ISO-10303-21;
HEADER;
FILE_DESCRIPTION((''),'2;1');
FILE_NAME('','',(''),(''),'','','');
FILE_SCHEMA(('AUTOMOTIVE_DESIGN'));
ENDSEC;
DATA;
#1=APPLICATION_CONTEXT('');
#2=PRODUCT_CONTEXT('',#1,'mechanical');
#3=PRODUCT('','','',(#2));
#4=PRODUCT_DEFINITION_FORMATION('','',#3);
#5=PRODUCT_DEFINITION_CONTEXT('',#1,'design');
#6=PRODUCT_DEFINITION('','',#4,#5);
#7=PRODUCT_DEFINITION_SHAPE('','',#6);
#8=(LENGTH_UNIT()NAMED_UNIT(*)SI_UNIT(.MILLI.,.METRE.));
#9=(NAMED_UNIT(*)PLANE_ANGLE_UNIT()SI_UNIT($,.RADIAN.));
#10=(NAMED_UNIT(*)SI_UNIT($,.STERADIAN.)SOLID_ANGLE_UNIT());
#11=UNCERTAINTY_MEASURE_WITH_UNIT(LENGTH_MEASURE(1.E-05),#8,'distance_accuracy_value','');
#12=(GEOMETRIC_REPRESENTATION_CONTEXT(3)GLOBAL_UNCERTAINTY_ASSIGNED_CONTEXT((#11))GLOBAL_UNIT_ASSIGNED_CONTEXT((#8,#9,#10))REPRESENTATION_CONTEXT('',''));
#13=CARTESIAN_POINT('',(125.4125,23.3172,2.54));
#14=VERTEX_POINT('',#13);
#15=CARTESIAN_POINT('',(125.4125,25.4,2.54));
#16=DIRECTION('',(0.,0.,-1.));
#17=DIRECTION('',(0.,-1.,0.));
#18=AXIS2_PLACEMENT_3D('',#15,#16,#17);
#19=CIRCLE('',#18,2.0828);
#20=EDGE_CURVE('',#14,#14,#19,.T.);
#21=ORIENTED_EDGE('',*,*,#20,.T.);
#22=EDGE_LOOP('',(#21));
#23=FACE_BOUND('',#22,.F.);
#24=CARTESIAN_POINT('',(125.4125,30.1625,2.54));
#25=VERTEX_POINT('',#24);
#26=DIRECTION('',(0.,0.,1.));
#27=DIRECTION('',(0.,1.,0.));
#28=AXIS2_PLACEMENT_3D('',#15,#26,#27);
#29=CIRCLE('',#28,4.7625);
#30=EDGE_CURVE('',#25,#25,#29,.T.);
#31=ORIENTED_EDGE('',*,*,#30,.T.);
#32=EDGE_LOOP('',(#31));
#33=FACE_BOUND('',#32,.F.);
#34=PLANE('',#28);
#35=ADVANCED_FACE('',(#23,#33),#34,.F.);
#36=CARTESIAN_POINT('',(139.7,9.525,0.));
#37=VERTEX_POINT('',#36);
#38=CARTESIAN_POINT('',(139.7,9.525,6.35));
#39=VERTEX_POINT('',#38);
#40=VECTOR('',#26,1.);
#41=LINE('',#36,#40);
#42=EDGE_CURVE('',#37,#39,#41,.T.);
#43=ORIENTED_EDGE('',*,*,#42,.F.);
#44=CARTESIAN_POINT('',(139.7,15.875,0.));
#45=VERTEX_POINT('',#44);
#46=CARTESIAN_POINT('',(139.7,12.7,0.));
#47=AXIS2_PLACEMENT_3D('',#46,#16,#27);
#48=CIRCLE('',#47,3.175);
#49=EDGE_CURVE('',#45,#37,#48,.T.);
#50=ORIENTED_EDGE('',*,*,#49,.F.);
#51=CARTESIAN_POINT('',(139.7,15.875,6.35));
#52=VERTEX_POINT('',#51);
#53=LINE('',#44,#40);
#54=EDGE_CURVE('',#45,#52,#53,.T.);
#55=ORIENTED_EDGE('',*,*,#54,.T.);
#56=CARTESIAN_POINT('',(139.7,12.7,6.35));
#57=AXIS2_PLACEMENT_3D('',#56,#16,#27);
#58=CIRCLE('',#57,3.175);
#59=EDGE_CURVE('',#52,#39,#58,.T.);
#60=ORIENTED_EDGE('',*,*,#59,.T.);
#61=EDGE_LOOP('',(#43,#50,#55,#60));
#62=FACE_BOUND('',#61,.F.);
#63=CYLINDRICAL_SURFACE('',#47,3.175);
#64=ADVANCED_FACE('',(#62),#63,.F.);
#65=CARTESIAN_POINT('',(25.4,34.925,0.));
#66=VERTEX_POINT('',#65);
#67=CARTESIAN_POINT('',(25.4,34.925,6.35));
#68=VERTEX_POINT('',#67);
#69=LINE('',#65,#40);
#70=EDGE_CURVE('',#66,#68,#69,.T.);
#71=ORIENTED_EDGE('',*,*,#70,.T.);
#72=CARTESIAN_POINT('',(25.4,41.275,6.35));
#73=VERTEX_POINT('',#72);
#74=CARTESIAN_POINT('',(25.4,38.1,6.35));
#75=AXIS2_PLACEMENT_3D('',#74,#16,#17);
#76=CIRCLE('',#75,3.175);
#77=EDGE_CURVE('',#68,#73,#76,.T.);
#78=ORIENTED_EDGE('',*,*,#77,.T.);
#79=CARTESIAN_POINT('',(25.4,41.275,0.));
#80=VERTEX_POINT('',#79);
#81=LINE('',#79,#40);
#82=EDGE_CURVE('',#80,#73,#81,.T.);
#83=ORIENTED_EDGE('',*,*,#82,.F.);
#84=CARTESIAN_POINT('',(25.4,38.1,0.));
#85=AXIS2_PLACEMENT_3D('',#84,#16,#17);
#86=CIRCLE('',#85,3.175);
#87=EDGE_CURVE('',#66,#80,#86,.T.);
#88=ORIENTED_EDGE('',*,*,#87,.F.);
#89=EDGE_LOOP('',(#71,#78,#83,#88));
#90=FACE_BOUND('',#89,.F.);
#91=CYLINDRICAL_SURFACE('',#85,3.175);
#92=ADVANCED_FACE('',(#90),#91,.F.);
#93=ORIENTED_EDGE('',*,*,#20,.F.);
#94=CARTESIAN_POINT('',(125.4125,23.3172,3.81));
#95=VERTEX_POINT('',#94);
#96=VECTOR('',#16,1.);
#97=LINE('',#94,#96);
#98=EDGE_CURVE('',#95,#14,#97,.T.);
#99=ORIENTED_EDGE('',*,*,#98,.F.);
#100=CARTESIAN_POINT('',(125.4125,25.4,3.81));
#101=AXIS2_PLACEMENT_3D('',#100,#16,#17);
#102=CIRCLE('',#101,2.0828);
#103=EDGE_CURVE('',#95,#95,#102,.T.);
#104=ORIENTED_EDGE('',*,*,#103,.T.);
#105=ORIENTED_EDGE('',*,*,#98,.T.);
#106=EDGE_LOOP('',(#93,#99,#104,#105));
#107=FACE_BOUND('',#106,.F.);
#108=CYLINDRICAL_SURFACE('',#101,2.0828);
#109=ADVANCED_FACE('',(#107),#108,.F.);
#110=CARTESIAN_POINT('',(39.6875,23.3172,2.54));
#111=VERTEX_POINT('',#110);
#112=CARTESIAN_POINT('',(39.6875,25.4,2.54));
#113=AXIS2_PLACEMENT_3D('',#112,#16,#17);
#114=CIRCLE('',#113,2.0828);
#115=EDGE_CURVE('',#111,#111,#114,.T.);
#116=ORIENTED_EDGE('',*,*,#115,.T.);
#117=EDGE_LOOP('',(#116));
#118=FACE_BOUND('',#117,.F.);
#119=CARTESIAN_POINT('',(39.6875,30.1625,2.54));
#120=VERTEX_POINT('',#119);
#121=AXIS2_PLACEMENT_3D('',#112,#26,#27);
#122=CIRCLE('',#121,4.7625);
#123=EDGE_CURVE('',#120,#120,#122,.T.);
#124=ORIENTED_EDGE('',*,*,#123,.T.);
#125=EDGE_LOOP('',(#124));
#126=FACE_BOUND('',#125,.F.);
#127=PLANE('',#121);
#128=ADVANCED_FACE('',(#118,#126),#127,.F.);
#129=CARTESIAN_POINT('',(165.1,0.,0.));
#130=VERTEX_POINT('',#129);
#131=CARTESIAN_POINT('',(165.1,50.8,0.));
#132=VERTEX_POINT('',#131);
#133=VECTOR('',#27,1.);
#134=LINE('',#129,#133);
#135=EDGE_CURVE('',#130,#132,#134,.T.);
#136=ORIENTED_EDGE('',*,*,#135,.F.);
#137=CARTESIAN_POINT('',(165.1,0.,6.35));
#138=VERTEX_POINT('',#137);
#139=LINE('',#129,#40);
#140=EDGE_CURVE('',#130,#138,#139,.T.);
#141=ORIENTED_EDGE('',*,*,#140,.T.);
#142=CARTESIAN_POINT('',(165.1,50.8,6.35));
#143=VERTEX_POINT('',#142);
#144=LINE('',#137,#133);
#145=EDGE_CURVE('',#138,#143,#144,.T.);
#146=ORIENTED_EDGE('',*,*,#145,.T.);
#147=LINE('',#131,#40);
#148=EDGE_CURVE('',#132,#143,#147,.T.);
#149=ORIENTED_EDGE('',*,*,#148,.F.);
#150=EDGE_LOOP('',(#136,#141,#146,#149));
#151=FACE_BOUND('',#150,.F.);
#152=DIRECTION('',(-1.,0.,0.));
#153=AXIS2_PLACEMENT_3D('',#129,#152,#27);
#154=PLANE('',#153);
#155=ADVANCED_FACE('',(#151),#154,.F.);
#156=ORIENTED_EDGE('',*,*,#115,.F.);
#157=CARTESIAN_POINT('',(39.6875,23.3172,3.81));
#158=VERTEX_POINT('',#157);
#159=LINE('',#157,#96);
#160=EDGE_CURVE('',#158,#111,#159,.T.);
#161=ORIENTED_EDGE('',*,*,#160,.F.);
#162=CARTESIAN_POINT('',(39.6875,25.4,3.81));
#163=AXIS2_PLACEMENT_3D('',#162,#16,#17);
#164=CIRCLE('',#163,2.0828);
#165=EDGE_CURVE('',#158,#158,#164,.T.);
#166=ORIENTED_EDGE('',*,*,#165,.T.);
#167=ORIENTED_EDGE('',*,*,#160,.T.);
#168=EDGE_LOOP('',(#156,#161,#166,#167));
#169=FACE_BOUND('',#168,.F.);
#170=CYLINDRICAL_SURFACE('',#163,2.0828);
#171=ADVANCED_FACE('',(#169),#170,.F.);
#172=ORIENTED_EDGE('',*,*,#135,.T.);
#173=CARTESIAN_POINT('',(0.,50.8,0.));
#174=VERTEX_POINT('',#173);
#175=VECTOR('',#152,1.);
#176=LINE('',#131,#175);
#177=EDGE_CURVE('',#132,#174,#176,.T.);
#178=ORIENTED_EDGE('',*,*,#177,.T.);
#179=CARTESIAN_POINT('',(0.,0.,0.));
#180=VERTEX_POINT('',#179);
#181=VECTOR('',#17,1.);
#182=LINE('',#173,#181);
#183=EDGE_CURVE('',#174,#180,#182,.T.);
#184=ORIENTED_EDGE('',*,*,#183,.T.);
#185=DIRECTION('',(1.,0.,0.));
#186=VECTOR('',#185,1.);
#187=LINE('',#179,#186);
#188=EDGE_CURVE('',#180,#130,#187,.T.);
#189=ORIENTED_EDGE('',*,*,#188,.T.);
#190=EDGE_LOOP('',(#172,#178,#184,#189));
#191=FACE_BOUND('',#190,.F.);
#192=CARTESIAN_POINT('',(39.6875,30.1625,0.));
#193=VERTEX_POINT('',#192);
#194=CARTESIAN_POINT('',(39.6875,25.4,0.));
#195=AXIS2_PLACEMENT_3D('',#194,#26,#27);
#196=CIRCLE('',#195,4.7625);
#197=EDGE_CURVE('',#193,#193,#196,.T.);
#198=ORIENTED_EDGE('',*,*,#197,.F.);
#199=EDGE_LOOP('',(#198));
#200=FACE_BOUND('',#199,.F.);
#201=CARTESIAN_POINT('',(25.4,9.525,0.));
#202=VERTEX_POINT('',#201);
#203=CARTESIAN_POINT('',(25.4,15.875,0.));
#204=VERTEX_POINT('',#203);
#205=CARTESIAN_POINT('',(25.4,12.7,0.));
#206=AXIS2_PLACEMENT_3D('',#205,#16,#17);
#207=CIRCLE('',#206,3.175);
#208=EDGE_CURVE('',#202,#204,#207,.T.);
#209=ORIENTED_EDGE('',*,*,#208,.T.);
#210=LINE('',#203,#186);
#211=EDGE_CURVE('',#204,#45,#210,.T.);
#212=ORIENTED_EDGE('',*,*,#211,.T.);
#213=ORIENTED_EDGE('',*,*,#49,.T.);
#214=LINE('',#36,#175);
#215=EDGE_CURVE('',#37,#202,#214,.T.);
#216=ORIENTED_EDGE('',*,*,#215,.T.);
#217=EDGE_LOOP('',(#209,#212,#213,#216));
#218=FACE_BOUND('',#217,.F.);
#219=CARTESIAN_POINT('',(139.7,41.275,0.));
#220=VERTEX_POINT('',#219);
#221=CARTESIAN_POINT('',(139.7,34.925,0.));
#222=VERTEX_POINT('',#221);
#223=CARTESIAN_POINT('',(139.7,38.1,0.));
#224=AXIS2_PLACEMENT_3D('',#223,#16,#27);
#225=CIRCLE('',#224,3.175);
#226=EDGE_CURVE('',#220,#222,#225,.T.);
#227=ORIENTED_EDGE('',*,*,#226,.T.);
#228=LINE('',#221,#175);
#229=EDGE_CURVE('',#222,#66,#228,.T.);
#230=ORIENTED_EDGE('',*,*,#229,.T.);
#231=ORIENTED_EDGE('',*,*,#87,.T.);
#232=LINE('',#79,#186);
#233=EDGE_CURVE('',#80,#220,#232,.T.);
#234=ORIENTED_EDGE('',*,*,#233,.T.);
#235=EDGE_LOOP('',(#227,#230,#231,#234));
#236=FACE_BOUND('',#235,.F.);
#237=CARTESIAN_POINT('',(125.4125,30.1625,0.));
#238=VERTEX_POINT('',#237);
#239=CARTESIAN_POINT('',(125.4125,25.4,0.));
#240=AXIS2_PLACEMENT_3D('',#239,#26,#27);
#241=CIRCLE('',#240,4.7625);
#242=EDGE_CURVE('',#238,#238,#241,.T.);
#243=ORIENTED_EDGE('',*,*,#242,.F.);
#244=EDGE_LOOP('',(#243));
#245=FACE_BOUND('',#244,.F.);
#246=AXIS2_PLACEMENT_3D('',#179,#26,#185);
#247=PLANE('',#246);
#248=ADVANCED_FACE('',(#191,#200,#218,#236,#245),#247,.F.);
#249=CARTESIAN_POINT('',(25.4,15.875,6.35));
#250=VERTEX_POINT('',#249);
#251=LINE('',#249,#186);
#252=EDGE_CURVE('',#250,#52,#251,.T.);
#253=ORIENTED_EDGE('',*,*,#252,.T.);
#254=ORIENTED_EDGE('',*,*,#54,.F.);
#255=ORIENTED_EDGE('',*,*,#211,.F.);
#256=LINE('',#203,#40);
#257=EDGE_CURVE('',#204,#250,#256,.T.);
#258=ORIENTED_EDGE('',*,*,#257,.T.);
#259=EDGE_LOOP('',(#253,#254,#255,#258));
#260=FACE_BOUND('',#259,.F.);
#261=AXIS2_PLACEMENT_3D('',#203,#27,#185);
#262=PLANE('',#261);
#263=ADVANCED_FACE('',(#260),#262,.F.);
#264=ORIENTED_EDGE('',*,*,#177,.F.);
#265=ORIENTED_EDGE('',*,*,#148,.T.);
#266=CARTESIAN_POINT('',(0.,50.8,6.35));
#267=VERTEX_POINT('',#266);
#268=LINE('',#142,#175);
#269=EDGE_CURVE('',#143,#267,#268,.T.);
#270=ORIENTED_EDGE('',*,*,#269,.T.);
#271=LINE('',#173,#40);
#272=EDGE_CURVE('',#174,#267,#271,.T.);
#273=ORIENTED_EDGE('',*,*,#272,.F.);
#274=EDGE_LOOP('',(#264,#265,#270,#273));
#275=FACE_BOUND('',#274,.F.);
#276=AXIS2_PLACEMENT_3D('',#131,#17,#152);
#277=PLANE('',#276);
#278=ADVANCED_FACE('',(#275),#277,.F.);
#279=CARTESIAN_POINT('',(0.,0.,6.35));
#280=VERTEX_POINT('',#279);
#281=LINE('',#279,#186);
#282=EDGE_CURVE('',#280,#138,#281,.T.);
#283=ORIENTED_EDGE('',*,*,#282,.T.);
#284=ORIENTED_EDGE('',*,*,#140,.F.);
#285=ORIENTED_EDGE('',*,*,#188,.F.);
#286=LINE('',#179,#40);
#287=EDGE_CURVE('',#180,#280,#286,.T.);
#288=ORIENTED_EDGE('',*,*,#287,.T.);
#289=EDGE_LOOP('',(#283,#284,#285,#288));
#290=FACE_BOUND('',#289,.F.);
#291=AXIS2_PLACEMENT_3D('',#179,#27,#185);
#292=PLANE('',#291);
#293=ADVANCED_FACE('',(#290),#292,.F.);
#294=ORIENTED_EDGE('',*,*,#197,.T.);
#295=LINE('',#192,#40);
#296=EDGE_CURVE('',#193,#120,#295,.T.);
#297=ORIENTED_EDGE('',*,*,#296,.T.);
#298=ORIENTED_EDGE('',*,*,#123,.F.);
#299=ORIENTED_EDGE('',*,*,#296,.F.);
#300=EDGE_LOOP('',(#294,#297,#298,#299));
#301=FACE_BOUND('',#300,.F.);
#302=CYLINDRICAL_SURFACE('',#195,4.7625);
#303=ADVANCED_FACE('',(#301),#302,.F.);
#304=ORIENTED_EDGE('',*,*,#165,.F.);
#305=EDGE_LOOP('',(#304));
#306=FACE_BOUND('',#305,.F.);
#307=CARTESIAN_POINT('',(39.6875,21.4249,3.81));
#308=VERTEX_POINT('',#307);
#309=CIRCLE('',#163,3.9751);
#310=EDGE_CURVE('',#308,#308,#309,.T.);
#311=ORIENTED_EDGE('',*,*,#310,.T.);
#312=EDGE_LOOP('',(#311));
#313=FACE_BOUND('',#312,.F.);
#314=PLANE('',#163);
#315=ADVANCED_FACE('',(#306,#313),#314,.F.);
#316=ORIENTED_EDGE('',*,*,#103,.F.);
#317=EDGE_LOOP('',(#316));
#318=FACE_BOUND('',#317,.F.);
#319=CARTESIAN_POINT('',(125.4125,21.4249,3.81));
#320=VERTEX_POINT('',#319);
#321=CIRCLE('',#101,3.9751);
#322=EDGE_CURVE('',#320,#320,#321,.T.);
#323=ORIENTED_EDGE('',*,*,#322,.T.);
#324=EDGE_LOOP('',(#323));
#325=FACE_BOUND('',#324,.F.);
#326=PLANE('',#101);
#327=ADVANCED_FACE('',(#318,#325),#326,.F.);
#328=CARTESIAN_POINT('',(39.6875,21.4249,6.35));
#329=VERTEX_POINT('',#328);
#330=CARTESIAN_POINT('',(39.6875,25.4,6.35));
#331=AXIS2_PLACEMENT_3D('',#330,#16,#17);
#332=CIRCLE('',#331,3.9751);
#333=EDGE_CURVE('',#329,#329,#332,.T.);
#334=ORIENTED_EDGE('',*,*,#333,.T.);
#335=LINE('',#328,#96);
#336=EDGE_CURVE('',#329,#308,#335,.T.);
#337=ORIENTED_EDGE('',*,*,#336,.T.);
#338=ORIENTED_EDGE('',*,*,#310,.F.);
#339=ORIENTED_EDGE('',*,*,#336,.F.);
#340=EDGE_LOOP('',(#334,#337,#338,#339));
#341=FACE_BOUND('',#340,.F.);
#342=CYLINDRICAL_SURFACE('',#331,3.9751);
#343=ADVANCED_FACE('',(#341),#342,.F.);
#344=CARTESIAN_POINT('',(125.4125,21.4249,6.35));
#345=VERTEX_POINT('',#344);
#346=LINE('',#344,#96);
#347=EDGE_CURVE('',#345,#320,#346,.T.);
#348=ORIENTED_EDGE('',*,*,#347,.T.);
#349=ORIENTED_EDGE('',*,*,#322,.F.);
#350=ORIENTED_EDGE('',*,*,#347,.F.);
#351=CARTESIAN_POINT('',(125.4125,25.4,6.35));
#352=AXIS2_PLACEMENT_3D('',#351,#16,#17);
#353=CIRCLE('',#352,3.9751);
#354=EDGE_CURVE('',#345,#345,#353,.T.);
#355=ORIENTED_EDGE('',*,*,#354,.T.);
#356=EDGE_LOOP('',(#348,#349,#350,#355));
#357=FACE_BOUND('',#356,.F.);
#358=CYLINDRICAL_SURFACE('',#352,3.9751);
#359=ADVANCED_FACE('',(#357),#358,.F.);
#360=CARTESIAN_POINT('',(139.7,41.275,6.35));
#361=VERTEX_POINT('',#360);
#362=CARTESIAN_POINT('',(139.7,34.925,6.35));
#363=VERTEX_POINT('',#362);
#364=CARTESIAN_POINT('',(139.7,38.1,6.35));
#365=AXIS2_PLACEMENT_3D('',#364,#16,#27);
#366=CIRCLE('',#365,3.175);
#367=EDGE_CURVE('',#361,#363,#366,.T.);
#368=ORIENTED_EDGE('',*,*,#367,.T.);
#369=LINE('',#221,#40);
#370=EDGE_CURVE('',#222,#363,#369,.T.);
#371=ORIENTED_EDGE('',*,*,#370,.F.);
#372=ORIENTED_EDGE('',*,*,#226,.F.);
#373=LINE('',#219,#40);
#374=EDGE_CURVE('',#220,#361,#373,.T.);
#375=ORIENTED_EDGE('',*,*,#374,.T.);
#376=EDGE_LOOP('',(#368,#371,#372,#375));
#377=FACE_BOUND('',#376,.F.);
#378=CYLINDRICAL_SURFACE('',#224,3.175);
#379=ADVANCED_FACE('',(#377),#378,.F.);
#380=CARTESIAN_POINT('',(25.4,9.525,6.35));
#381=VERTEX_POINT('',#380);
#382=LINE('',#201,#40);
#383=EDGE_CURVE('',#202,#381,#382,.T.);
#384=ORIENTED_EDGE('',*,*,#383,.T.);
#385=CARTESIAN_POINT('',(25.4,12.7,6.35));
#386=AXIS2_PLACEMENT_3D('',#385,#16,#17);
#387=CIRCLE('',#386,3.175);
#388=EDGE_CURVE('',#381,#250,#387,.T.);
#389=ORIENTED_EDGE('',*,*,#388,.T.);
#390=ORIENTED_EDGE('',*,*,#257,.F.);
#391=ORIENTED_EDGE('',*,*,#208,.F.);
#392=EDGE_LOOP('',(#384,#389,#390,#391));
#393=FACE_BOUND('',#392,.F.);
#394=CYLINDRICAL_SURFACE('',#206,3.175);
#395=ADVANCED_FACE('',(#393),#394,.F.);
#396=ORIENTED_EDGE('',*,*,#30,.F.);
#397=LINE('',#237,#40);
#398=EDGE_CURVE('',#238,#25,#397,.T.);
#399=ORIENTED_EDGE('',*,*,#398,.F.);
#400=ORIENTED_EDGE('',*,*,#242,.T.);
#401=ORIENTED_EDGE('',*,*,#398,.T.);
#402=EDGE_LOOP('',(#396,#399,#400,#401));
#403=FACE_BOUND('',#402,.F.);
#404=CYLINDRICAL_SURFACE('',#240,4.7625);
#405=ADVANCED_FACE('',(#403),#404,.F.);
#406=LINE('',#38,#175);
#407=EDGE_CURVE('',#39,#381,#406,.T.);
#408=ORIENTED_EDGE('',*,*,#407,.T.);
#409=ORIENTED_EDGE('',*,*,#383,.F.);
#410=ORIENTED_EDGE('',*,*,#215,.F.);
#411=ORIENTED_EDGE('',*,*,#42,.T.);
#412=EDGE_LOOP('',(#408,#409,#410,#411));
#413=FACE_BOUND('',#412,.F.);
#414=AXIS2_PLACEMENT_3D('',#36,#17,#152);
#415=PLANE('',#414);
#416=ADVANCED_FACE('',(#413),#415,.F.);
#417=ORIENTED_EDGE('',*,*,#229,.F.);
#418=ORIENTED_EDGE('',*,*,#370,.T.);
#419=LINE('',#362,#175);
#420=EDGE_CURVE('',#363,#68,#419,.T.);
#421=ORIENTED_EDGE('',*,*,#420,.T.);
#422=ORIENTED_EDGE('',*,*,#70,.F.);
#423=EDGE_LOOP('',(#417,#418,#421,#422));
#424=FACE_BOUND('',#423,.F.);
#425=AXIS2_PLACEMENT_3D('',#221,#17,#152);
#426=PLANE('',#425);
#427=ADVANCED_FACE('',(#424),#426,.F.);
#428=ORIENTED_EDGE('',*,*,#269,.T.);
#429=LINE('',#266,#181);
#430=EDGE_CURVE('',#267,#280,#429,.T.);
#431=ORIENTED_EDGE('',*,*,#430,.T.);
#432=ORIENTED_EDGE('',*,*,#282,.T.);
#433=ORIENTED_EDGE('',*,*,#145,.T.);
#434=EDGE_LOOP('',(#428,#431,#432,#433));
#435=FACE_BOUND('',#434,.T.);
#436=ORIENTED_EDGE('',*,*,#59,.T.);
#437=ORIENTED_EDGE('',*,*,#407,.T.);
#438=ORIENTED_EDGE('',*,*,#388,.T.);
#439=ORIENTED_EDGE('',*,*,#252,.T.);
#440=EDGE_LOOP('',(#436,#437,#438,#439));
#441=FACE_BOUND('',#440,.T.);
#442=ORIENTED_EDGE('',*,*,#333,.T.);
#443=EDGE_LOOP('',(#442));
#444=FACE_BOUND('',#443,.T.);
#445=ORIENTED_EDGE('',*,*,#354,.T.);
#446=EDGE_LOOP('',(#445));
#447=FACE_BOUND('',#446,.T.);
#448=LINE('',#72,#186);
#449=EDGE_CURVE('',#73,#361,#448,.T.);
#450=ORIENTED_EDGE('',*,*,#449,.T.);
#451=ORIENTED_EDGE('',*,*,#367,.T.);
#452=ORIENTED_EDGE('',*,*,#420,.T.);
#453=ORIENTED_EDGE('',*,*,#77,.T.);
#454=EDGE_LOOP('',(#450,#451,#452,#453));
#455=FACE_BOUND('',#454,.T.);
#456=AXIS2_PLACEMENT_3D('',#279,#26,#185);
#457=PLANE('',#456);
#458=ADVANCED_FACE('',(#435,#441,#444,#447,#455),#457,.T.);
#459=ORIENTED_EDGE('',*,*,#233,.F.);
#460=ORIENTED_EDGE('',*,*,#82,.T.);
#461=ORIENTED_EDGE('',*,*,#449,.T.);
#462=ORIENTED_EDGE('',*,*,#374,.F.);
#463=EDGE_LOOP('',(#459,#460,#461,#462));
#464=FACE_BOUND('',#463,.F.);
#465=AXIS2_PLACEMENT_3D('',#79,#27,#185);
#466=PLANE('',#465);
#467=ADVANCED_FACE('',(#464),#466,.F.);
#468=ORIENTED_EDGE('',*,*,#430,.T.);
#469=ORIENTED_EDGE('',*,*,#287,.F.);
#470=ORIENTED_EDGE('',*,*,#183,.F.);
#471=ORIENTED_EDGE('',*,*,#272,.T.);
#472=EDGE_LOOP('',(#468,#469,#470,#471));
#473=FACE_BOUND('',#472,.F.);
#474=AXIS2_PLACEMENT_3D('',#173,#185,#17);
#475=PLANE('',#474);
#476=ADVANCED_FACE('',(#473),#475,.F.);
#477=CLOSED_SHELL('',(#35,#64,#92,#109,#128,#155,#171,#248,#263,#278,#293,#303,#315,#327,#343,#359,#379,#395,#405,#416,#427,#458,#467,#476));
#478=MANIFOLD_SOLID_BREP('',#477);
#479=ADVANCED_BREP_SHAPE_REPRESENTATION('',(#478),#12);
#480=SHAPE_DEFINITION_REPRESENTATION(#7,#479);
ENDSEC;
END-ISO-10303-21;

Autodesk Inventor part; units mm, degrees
ref_plane "YZ Plane" through (0, 0, 0) normal (1, 0, 0) x (0, 1, 0)
ref_plane "XZ Plane" through (0, 0, 0) normal (0, 1, 0) x (-1, 0, 0)
ref_plane "XY Plane" through (0, 0, 0) normal (0, 0, 1) x (1, 0, 0)
sketch "Sketch1" plane through (0, 0, 0) normal (0, 0, 1) x (1, 0, 0)
  line L0 (0, 0) -> (165.1, 0)
  line L1 (165.1, 0) -> (165.1, 50.8)
  line L2 (165.1, 50.8) -> (0, 50.8)
  line L3 (0, 50.8) -> (0, 0)
  dimension "d0" = 165.1
  dimension "d1" = 50.8
extrude "Extrusion1" add sketch "Sketch1" along normal blind 6.35
sketch "Sketch3" plane through (0, 0, 6.35) normal (0, 0, 1) x (1, 0, 0)
  line L0 (39.6875, 25.4) -> (125.4125, 25.4)
  line L1 (0, 0) -> (165.1, 0) projected
  line L2 (0, 50.8) -> (0, 0) projected
  line L3 (165.1, 50.8) -> (0, 50.8) projected
  line L4 (82.55, 50.8) -> (82.55, 0)
  line L5 (165.1, 0) -> (165.1, 50.8) projected
  dimension "d14" = 85.725
  dimension "d15" = 25.4
  dimension "d16" = 39.6875
  dimension "d33" = 165.1
  dimension "d34" = 39.6875
hole "Hole1" at (39.6875, 25.4, 6.35) at (125.4125, 25.4, 6.35) direction (0, 0, -1) diameter 4.1656 depth 6.35 tip angle 118 counterbore diameter 7.9502 counterbore depth 2.54
sketch "Sketch4" plane through (0, 0, 0) normal (0, 0, -1) x (-1, 0, 0)
  line L0 (-139.7, 12.7) -> (-25.4, 12.7) construction
  line L1 (-139.7, 9.525) -> (-25.4, 9.525)
  line L2 (-25.4, 15.875) -> (-139.7, 15.875)
  arc A0 (-139.7, 15.875) -> (-139.7, 9.525) centre (-139.7, 12.7) ccw
  arc A1 (-25.4, 9.525) -> (-25.4, 15.875) centre (-25.4, 12.7) ccw
  line L3 (0, 50.8) -> (0, 0) projected
  line L4 (-139.7, 38.1) -> (-25.4, 38.1) construction
  line L5 (-139.7, 34.925) -> (-25.4, 34.925)
  line L6 (-25.4, 41.275) -> (-139.7, 41.275)
  arc A2 (-139.7, 41.275) -> (-139.7, 34.925) centre (-139.7, 38.1) ccw
  arc A3 (-25.4, 34.925) -> (-25.4, 41.275) centre (-25.4, 38.1) ccw
  line L7 (-165.1, 50.8) -> (0, 50.8) projected
  point P0 (-82.55, 12.7)
  point P1 (-82.55, 38.1)
  dimension "d24" = 6.35
  dimension "d25" = 25.4
  dimension "d26" = 114.3
  dimension "d27" = 6.35
  dimension "d28" = 25.4
  dimension "d29" = 12.7
  dimension "d32" = 114.3
extrude "Extrusion3" cut sketch "Sketch4" against normal blind 6.35
sketch "Sketch5" plane through (0, 0, 0) normal (0, 0, -1) x (-1, 0, 0)
  circle A0 centre (-39.6875, 25.4) radius 2.0828 projected
  circle A1 centre (-125.4125, 25.4) radius 2.0828 projected
  point P0 (0, 0)
hole "Hole2" at (39.6875, 25.4, 0) at (125.4125, 25.4, 0) direction (0, 0, 1) diameter 9.525 depth 2.54
properties part number "ps bottom"
